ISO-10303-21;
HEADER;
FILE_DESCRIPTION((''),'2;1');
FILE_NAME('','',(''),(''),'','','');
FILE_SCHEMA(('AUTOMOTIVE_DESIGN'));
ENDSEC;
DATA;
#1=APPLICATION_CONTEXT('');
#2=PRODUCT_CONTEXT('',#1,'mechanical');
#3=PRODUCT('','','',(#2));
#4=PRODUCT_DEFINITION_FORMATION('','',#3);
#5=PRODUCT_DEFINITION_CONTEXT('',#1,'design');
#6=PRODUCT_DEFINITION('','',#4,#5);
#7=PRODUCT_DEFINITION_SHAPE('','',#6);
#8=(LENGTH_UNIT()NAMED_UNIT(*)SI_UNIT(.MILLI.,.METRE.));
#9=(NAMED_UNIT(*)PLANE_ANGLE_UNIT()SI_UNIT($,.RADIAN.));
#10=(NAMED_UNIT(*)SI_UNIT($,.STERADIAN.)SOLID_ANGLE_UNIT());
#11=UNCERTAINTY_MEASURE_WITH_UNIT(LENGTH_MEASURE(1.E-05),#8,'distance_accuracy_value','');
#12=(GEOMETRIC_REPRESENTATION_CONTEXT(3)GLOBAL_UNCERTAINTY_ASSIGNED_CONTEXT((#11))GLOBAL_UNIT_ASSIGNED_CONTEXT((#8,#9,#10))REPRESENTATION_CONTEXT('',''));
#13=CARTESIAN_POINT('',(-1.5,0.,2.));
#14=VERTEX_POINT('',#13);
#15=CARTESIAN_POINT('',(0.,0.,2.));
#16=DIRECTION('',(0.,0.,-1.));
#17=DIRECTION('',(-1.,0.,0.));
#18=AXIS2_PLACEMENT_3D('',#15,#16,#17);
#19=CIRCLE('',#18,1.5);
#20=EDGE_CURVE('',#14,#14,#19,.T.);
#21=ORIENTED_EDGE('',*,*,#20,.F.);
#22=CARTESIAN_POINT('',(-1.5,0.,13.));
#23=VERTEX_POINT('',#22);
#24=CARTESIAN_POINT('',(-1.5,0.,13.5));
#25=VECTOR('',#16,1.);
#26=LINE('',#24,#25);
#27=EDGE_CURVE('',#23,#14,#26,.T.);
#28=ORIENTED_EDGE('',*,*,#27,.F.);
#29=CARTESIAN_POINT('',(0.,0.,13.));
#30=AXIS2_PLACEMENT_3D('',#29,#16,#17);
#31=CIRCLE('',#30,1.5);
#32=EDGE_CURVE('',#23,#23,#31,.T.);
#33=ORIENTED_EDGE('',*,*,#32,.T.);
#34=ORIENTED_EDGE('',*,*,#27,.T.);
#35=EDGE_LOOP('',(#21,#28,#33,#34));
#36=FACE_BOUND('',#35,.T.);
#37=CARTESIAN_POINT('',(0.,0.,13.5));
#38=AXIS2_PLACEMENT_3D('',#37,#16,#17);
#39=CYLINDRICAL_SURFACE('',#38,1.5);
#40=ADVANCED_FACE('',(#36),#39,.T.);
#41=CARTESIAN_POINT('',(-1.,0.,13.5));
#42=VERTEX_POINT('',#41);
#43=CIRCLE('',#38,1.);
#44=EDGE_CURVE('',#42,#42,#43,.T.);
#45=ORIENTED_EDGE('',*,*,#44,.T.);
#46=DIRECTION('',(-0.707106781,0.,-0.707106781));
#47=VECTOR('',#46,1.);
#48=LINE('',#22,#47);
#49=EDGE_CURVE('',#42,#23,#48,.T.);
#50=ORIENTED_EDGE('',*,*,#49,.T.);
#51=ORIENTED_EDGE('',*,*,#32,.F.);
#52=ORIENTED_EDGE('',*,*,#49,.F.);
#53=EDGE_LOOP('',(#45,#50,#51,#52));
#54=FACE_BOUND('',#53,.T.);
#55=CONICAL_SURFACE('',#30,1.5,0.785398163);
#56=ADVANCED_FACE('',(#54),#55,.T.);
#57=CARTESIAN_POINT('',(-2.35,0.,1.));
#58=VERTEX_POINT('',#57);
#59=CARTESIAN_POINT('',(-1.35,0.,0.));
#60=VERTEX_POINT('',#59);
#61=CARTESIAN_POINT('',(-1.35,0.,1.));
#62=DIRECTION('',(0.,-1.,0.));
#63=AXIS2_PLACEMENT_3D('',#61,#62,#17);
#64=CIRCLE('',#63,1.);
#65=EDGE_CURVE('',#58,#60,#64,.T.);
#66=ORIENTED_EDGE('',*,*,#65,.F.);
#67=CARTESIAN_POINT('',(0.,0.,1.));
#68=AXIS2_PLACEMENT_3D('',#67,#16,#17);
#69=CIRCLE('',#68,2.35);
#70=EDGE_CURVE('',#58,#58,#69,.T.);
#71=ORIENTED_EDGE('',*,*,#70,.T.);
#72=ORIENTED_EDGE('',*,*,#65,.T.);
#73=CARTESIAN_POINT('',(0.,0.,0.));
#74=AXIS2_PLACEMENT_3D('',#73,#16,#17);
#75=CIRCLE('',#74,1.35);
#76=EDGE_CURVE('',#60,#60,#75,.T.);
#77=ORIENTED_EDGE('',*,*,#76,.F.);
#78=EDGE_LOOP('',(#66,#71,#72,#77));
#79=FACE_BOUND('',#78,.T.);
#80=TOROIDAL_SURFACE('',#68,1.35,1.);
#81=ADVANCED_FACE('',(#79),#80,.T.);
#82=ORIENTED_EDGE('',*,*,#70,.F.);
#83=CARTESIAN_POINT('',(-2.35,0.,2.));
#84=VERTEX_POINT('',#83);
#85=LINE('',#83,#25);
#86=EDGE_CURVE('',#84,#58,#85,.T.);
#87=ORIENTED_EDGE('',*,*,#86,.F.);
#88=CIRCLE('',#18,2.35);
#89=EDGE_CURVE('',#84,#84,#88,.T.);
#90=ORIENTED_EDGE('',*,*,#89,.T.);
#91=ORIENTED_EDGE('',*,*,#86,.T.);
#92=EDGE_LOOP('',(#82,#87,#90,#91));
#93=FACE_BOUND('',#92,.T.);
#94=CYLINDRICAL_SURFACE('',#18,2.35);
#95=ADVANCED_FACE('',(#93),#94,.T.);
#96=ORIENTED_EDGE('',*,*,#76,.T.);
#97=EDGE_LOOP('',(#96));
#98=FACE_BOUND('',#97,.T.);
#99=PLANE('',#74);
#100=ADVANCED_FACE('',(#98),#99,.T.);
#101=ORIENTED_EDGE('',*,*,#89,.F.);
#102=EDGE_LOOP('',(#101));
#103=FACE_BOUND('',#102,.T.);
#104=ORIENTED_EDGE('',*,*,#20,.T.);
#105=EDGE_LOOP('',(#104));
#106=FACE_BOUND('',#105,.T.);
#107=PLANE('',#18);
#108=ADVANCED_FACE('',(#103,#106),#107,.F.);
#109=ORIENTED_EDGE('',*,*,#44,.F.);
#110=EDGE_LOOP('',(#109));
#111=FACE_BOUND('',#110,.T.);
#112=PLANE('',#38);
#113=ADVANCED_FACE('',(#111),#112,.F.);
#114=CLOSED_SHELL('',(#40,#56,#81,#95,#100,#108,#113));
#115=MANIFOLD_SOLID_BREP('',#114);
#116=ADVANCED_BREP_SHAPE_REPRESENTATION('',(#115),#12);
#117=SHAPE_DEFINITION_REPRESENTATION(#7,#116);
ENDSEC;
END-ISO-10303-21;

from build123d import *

# Parameters (mm, degrees)
F2_SIZE = 0.5
F3_R    = 1


with BuildPart() as f1:
    # F0 (on Front) → F1 (revolve)
    with BuildSketch(Plane.XZ):
        Polygon((0, 13.5), (-1.5, 13.5), (-1.5, 2), (-2.35, 2), (-2.35, 0), (0, 0), align=None)
    revolve(axis=Axis((0, 0, 3.320783), (0, 0, -1)))

    # F2
    f2_edges = [f1.edges().sort_by_distance(p)[0] for p in [
        (1.5, 0, 13.5),
    ]]
    chamfer(f2_edges, length=F2_SIZE)

    # F3
    f3_edges = [f1.edges().sort_by_distance(p)[0] for p in [
        (2.35, 0, 0),
    ]]
    fillet(f3_edges, radius=F3_R)


solid = f1.part
